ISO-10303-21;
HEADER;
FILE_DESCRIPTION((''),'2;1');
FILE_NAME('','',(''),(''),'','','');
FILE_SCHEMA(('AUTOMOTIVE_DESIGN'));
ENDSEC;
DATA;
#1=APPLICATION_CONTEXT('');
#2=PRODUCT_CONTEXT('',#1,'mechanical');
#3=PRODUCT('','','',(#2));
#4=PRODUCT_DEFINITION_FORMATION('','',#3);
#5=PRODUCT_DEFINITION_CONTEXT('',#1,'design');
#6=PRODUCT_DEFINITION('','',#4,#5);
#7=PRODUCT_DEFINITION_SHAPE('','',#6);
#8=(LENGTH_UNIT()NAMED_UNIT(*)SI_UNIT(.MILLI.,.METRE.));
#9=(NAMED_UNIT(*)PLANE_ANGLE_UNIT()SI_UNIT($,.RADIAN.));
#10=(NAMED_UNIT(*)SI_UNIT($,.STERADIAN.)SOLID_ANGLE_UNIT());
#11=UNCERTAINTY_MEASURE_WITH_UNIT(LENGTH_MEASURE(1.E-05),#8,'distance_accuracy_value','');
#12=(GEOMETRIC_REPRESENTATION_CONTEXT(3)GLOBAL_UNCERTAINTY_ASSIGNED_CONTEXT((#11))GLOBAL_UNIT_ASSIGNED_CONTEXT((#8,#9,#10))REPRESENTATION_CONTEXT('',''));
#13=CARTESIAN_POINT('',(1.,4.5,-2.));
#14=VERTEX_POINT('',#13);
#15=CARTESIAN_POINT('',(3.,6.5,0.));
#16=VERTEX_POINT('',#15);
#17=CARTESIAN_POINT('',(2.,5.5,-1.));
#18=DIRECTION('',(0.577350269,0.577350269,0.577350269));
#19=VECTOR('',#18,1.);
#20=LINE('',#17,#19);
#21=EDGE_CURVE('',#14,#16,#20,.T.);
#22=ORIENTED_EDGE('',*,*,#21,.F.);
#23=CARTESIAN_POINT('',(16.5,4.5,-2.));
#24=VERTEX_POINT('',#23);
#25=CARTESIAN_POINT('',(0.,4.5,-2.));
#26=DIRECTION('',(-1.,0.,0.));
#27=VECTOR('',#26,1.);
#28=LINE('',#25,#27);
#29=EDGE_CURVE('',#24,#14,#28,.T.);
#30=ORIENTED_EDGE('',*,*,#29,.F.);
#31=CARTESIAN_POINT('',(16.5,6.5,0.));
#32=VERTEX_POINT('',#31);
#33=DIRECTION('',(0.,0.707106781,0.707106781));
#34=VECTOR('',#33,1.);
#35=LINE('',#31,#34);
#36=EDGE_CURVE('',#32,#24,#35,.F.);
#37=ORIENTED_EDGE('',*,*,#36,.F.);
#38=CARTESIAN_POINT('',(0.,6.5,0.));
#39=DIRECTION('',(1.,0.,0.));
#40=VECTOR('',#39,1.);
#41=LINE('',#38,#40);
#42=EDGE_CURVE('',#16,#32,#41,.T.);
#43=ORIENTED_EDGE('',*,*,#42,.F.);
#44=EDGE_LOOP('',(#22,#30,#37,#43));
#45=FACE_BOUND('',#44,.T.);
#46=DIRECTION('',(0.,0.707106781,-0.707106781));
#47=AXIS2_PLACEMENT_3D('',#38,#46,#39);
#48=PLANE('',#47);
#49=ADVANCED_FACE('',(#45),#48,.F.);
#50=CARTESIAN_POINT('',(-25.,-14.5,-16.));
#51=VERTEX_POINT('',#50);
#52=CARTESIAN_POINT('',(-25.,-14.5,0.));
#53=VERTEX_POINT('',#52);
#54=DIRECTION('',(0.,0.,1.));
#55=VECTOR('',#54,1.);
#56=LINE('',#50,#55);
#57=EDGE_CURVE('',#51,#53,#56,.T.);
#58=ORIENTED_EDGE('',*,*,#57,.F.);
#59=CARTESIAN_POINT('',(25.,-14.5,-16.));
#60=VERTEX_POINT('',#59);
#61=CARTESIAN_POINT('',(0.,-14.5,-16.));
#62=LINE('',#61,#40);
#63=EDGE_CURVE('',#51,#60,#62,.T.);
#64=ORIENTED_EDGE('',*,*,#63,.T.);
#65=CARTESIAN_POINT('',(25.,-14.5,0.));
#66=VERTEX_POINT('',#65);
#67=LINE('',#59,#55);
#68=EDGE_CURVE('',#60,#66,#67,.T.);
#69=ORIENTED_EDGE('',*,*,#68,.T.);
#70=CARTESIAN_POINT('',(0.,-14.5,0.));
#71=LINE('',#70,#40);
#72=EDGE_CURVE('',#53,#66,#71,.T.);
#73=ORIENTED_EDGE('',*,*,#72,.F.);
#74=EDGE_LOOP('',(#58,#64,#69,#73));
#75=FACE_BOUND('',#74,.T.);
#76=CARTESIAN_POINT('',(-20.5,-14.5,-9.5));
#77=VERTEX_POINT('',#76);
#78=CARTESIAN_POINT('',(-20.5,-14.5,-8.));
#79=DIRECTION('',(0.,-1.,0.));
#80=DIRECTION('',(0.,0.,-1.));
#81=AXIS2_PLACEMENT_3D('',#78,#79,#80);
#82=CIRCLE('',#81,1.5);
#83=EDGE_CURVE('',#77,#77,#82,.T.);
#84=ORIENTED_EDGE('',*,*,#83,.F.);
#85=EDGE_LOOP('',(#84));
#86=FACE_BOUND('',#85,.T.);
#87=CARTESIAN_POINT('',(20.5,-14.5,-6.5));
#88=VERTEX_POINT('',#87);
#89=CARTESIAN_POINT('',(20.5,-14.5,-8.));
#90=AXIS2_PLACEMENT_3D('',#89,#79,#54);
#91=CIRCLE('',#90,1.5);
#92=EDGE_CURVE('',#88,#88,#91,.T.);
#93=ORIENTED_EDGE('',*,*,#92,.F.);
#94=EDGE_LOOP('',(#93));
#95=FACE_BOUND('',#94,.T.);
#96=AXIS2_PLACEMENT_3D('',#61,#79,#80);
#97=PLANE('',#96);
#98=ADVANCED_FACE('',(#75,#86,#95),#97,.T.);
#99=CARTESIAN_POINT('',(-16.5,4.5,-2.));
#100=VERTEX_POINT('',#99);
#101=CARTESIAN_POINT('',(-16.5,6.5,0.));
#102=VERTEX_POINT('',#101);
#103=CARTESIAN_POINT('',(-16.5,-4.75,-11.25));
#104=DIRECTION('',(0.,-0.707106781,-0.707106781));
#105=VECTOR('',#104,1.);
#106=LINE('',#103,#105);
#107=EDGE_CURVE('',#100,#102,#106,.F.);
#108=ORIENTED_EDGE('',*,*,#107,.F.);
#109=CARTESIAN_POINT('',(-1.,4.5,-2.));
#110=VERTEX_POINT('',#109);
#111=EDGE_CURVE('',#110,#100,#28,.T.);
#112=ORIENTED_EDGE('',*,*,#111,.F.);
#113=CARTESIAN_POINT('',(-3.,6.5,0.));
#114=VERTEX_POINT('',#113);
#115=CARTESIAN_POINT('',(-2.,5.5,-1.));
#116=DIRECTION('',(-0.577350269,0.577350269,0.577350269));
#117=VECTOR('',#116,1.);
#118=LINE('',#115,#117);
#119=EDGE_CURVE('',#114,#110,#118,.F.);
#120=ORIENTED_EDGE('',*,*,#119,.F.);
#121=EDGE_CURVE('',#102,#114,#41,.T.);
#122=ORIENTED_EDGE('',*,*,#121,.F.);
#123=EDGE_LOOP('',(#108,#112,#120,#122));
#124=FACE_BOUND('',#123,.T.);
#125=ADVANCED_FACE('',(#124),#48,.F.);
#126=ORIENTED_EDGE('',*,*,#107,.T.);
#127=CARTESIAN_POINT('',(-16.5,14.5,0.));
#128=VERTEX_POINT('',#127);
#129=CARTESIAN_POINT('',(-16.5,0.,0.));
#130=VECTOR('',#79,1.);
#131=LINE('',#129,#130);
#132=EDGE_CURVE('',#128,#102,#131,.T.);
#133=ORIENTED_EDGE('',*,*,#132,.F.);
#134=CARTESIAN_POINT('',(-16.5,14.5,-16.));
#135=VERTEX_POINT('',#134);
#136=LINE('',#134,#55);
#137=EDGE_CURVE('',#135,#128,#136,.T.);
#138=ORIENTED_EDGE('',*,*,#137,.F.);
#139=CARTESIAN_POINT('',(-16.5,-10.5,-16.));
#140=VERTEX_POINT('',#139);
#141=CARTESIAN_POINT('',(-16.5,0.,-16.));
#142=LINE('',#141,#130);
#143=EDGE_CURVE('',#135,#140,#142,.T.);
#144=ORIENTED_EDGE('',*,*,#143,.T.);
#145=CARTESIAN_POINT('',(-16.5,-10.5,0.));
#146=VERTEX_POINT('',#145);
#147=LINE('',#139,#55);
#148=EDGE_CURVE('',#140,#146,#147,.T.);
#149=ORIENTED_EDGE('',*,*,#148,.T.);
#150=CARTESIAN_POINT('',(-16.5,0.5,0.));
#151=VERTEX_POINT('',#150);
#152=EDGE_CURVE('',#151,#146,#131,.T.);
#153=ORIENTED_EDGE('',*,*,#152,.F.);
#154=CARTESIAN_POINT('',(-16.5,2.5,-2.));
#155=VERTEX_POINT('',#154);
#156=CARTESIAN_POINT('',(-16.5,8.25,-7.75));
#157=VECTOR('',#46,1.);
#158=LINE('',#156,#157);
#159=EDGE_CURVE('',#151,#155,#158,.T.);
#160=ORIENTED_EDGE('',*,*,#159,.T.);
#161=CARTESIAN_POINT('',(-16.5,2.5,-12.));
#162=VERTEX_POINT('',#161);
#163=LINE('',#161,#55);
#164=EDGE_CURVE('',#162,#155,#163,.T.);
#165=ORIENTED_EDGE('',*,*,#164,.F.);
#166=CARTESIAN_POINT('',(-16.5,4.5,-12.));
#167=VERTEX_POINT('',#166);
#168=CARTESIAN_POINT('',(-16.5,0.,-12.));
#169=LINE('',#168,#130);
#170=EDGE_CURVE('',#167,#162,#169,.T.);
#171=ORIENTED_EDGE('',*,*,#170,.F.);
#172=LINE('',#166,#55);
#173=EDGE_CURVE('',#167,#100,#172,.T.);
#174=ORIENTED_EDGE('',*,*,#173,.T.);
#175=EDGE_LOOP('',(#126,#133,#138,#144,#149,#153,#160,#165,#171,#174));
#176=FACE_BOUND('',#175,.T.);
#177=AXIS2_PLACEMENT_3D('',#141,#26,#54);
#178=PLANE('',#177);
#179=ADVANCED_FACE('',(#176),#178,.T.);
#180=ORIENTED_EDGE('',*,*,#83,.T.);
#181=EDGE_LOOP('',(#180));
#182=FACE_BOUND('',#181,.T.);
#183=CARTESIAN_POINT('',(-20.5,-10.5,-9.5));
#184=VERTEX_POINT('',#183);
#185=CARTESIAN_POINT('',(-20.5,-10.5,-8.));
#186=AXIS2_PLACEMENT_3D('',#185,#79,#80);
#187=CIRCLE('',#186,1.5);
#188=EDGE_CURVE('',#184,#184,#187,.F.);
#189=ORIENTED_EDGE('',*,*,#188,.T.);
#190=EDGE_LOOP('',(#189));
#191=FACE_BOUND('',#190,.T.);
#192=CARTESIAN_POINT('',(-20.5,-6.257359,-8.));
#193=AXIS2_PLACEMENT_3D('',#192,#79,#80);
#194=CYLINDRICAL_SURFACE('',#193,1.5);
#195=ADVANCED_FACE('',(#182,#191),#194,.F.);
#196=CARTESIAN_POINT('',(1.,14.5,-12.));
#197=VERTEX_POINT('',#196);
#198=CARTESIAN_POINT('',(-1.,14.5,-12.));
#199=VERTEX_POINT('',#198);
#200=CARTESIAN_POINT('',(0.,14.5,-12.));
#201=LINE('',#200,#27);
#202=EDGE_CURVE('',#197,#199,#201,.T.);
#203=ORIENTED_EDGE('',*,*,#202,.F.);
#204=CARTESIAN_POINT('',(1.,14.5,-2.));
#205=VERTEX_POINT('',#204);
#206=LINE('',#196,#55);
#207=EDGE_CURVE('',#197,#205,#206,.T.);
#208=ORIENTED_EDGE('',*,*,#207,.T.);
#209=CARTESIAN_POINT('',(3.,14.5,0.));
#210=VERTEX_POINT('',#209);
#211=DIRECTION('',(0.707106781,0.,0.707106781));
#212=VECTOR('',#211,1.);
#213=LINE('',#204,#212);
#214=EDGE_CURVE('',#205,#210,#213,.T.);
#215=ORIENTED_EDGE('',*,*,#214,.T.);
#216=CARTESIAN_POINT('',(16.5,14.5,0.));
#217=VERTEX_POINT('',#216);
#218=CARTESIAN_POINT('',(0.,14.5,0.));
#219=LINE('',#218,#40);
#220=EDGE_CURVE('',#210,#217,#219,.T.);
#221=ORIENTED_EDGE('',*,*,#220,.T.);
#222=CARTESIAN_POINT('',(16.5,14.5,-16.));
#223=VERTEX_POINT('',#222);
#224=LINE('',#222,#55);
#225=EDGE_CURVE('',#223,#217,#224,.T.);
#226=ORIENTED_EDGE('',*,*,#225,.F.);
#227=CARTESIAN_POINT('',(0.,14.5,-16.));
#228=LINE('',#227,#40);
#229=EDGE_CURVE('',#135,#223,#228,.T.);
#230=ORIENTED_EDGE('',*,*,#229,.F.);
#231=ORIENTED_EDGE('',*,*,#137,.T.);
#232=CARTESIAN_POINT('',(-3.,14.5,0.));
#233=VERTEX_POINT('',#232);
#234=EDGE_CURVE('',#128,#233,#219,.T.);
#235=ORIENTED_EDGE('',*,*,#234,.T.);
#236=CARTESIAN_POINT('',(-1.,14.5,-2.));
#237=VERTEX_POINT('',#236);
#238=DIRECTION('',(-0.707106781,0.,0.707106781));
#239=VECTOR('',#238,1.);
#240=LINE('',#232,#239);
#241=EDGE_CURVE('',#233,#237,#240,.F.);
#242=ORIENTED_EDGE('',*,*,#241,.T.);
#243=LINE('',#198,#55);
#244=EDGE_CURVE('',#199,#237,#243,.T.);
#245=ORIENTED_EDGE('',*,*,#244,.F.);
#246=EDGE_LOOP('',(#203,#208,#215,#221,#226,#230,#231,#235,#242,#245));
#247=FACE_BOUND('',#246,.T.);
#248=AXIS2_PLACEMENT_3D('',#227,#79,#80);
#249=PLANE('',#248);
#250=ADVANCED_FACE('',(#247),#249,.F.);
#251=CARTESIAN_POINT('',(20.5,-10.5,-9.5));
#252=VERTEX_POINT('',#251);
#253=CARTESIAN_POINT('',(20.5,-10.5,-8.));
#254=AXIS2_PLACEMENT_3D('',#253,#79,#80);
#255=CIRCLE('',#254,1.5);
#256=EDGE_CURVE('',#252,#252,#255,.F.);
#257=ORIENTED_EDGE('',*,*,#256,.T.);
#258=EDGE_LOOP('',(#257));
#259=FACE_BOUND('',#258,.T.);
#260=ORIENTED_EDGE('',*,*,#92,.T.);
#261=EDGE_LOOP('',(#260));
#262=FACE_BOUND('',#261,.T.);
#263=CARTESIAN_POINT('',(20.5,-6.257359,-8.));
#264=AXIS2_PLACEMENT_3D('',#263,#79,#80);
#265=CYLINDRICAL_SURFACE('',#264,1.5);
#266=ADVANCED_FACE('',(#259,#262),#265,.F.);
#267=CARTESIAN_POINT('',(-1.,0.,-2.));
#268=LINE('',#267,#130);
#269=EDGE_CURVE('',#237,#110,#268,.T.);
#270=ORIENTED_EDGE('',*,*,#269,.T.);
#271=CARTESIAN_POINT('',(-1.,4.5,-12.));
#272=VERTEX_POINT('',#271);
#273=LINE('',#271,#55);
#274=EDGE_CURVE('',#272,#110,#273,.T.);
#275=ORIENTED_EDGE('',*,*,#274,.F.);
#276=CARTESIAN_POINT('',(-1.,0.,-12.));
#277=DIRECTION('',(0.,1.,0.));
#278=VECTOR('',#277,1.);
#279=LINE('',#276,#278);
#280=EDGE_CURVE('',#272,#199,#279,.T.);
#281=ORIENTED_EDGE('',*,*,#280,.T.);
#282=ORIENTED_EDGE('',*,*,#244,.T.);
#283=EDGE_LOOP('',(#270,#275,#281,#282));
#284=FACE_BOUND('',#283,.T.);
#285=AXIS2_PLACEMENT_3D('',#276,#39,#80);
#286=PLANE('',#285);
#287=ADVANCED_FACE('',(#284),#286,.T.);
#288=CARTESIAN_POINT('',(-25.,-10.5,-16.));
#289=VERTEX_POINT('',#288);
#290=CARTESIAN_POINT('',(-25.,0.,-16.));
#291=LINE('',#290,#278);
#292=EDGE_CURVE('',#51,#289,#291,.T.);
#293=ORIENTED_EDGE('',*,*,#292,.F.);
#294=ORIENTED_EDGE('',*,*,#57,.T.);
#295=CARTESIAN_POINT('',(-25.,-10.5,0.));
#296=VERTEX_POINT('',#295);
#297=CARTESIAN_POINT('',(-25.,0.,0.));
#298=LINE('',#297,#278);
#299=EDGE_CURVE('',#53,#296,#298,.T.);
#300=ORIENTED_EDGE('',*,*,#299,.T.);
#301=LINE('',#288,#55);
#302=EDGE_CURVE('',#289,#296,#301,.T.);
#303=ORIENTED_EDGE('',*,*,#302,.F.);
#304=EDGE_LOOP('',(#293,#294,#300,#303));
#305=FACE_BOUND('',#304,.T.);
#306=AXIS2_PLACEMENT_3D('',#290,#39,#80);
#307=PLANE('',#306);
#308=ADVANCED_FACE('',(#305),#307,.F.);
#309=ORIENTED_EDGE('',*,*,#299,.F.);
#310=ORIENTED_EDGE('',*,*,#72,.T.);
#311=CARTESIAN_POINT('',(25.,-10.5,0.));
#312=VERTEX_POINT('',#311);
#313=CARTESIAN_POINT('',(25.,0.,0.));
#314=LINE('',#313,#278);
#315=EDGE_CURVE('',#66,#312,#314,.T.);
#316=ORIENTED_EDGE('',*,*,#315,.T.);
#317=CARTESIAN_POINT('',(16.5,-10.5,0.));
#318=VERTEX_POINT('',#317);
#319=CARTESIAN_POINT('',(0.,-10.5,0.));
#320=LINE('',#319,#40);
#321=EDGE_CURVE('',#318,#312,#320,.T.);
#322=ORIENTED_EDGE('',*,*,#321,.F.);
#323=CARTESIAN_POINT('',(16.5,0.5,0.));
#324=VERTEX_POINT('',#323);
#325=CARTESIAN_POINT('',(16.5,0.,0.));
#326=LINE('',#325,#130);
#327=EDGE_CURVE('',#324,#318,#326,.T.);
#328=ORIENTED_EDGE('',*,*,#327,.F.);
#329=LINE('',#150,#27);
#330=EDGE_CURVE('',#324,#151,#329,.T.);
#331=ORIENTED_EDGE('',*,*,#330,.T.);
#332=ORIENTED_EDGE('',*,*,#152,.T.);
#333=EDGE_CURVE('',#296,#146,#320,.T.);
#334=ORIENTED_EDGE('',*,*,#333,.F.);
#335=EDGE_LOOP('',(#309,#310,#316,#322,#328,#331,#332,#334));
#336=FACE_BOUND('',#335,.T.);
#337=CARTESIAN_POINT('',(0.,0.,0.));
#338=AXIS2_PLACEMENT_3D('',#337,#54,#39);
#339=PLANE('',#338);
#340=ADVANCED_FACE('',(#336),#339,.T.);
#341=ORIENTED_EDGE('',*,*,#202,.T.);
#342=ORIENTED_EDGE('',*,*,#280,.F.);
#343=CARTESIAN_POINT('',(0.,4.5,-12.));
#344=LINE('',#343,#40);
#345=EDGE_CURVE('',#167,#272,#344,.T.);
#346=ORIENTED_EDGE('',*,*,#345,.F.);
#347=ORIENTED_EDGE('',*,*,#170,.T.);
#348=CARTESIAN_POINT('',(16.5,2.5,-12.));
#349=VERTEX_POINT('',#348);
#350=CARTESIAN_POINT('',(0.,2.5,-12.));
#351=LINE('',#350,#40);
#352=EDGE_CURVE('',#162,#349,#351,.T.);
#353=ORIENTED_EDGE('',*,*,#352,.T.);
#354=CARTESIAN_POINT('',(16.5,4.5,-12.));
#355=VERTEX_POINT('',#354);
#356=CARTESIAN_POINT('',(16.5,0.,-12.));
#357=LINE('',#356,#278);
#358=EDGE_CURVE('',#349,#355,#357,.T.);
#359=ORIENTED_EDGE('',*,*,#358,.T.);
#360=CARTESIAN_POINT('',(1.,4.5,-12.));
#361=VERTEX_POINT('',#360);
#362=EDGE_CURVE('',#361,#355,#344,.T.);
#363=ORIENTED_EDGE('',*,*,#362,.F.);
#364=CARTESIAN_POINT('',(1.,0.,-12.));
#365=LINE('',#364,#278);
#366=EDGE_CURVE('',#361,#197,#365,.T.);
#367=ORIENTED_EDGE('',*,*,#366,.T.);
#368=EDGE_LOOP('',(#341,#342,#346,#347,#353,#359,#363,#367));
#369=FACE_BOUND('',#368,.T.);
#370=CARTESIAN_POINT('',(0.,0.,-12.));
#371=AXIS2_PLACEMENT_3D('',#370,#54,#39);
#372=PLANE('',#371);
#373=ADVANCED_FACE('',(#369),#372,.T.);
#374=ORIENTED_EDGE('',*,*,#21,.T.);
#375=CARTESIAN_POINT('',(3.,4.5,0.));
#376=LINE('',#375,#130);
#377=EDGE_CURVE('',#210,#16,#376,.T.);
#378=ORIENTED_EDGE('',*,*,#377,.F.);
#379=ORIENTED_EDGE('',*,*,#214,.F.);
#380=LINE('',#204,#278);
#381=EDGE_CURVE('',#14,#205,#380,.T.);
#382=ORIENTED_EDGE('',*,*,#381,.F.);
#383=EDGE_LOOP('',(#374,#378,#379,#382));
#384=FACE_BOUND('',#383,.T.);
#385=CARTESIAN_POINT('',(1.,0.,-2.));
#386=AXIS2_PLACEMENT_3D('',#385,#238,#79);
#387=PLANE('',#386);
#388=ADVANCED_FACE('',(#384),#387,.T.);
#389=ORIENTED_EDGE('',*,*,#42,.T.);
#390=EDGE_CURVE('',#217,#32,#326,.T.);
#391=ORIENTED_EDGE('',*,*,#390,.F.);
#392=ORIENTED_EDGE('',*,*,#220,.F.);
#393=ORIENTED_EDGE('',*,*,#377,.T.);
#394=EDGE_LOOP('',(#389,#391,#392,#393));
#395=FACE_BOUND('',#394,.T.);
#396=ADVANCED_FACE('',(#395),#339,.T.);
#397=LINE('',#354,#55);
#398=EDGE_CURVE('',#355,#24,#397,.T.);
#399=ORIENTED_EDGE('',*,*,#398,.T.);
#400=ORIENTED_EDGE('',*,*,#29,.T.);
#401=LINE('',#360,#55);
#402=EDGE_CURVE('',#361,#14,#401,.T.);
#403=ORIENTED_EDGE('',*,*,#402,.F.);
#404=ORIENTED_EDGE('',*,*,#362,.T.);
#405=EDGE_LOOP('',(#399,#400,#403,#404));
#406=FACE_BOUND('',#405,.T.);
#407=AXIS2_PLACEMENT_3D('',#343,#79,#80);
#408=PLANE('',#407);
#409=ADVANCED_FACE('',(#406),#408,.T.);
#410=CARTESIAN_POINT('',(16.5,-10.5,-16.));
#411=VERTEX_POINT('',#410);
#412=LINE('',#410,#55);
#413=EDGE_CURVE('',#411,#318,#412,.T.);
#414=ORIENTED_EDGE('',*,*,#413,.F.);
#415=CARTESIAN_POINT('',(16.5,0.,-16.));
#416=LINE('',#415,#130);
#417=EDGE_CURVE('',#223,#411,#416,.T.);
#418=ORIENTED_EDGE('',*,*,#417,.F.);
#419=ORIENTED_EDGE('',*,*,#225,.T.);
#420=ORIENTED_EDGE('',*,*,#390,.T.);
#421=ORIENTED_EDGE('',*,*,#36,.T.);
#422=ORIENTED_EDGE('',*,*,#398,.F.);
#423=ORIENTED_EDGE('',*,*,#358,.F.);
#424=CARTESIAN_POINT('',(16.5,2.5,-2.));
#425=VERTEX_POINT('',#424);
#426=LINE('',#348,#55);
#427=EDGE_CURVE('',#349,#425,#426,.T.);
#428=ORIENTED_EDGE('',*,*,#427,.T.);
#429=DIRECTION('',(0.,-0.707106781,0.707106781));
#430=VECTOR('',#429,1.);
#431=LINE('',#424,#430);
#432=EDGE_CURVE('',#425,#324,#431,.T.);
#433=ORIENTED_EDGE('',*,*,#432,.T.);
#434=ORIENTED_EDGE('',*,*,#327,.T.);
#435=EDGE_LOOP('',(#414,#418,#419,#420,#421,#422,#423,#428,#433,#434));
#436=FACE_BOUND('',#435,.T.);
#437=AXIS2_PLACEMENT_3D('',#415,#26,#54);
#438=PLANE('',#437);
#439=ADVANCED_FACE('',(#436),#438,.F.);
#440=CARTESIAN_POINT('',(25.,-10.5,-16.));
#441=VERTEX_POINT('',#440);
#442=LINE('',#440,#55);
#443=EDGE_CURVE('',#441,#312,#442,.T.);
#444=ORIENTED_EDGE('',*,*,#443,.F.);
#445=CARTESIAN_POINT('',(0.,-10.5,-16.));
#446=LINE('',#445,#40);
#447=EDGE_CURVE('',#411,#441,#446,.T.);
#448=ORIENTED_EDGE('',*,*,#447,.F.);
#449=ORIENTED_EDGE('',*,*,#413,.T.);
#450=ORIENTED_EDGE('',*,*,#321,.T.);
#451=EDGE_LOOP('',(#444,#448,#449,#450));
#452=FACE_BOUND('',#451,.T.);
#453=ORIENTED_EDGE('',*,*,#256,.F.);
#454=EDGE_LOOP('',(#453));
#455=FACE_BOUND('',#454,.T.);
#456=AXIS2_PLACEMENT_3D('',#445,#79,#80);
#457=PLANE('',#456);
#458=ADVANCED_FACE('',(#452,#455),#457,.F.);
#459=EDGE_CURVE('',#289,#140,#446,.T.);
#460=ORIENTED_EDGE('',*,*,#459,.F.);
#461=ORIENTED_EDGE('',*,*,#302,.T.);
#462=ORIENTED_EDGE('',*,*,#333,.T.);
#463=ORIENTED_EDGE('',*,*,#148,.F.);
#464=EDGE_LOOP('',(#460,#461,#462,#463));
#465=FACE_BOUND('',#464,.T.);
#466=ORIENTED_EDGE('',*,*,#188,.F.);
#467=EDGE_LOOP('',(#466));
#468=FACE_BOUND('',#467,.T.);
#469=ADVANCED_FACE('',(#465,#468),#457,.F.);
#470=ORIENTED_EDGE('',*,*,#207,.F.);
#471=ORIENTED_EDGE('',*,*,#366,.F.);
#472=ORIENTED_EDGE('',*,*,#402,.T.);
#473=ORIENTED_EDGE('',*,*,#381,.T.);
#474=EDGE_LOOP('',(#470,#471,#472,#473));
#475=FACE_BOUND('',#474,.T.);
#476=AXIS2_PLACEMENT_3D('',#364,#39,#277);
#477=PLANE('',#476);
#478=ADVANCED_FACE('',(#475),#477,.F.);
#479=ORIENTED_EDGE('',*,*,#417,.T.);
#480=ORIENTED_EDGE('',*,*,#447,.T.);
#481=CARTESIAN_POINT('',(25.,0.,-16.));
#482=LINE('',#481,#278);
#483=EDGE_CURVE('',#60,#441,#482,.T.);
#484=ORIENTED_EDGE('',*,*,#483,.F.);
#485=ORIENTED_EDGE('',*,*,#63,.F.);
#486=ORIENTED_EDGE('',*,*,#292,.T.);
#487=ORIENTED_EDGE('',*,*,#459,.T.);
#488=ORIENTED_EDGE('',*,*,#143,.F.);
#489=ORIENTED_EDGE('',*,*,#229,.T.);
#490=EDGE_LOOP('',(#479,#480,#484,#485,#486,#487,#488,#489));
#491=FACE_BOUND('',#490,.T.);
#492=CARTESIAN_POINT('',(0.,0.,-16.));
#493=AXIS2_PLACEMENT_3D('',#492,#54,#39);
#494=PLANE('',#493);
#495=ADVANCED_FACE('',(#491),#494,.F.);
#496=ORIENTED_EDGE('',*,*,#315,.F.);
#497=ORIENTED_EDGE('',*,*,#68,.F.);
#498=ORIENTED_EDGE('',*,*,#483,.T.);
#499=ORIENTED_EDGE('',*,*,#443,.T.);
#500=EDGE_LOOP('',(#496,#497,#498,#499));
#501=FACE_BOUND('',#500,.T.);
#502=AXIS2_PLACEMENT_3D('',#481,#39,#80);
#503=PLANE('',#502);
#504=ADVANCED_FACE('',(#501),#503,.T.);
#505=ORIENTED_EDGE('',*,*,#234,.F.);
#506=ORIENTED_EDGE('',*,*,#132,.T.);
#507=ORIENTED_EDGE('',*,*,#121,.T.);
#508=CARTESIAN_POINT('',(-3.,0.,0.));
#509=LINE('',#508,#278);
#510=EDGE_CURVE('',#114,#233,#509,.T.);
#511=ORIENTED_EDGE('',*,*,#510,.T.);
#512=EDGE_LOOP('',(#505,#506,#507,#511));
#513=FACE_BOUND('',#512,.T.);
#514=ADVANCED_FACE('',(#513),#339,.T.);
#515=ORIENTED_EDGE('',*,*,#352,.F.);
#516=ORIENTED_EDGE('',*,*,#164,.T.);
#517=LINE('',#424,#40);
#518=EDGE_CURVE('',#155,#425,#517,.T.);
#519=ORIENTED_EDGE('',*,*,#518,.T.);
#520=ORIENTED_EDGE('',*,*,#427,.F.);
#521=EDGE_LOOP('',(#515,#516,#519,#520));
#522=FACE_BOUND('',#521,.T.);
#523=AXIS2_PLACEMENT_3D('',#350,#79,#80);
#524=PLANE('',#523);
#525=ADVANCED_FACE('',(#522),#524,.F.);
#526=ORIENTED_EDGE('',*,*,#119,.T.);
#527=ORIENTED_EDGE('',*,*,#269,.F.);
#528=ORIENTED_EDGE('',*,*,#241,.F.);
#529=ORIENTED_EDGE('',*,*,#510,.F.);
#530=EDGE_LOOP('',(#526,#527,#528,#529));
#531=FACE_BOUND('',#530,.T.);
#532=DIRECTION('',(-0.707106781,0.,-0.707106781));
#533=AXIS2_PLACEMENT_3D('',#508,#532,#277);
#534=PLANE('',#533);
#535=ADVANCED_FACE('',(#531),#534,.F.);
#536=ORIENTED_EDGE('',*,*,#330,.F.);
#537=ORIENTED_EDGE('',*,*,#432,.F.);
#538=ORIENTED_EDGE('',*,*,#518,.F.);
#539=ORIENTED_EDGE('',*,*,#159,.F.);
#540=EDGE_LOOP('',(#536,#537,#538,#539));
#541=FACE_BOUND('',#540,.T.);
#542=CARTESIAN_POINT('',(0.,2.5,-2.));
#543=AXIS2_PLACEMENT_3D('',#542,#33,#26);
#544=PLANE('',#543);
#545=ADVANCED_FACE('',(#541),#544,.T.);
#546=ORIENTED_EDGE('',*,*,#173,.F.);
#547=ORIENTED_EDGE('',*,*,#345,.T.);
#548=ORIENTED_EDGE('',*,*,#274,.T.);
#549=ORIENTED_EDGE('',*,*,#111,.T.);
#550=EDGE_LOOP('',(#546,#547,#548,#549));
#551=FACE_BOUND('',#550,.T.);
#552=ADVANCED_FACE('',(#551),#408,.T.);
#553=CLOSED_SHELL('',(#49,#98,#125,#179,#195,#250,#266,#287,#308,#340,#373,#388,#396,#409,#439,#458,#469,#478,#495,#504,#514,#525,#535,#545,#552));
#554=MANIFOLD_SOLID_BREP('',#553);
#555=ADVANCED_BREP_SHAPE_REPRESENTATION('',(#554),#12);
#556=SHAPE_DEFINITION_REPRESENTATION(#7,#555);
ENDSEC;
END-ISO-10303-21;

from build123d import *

# Parameters (mm, degrees)
EXTRUDE1_DEPTH = 16
EXTRUDE6_DEPTH = 12
CHAMFER1_SIZE  = 2
SKETCH3_R      = 1.5
EXTRUDE7_DEPTH = 4


with BuildPart() as part:
    # Sketch1 → Extrude1 (new body)
    with BuildSketch(Plane.XY):
        Polygon((16.5, -10.5), (25, -10.5), (25, -14.5), (-25, -14.5), (-25, -10.5), (-16.5, -10.5), (-16.5, 14.5), (16.5, 14.5), align=None)
    extrude(amount=-EXTRUDE1_DEPTH)

    # Sketch2 → Extrude6 (cut)
    with BuildSketch(Plane.XY):
        Polygon((1, 14.5), (-1, 14.5), (-1, 4.5), (-16.5, 4.5), (-16.5, 2.5), (16.5, 2.5), (16.5, 4.5), (1, 4.5), align=None)
    extrude(amount=-EXTRUDE6_DEPTH, mode=Mode.SUBTRACT)

    # Chamfer1
    chamfer1_edges = [part.edges().sort_by_distance(p)[0] for p in [
        (-1, 9.5, 0),
        (8.75, 4.5, 0),
        (-8.75, 4.5, 0),
        (0, 2.5, 0),
        (1, 9.5, 0),
    ]]
    chamfer(chamfer1_edges, length=CHAMFER1_SIZE)

    # Sketch3 → Extrude7 (cut)
    with BuildSketch(Plane.XZ.offset(14.5)):
        with Locations((-20.5, -8)):
            Circle(SKETCH3_R)
        with Locations((20.5, -8)):
            Circle(SKETCH3_R)
    extrude(amount=-EXTRUDE7_DEPTH, mode=Mode.SUBTRACT)


solid = part.part
